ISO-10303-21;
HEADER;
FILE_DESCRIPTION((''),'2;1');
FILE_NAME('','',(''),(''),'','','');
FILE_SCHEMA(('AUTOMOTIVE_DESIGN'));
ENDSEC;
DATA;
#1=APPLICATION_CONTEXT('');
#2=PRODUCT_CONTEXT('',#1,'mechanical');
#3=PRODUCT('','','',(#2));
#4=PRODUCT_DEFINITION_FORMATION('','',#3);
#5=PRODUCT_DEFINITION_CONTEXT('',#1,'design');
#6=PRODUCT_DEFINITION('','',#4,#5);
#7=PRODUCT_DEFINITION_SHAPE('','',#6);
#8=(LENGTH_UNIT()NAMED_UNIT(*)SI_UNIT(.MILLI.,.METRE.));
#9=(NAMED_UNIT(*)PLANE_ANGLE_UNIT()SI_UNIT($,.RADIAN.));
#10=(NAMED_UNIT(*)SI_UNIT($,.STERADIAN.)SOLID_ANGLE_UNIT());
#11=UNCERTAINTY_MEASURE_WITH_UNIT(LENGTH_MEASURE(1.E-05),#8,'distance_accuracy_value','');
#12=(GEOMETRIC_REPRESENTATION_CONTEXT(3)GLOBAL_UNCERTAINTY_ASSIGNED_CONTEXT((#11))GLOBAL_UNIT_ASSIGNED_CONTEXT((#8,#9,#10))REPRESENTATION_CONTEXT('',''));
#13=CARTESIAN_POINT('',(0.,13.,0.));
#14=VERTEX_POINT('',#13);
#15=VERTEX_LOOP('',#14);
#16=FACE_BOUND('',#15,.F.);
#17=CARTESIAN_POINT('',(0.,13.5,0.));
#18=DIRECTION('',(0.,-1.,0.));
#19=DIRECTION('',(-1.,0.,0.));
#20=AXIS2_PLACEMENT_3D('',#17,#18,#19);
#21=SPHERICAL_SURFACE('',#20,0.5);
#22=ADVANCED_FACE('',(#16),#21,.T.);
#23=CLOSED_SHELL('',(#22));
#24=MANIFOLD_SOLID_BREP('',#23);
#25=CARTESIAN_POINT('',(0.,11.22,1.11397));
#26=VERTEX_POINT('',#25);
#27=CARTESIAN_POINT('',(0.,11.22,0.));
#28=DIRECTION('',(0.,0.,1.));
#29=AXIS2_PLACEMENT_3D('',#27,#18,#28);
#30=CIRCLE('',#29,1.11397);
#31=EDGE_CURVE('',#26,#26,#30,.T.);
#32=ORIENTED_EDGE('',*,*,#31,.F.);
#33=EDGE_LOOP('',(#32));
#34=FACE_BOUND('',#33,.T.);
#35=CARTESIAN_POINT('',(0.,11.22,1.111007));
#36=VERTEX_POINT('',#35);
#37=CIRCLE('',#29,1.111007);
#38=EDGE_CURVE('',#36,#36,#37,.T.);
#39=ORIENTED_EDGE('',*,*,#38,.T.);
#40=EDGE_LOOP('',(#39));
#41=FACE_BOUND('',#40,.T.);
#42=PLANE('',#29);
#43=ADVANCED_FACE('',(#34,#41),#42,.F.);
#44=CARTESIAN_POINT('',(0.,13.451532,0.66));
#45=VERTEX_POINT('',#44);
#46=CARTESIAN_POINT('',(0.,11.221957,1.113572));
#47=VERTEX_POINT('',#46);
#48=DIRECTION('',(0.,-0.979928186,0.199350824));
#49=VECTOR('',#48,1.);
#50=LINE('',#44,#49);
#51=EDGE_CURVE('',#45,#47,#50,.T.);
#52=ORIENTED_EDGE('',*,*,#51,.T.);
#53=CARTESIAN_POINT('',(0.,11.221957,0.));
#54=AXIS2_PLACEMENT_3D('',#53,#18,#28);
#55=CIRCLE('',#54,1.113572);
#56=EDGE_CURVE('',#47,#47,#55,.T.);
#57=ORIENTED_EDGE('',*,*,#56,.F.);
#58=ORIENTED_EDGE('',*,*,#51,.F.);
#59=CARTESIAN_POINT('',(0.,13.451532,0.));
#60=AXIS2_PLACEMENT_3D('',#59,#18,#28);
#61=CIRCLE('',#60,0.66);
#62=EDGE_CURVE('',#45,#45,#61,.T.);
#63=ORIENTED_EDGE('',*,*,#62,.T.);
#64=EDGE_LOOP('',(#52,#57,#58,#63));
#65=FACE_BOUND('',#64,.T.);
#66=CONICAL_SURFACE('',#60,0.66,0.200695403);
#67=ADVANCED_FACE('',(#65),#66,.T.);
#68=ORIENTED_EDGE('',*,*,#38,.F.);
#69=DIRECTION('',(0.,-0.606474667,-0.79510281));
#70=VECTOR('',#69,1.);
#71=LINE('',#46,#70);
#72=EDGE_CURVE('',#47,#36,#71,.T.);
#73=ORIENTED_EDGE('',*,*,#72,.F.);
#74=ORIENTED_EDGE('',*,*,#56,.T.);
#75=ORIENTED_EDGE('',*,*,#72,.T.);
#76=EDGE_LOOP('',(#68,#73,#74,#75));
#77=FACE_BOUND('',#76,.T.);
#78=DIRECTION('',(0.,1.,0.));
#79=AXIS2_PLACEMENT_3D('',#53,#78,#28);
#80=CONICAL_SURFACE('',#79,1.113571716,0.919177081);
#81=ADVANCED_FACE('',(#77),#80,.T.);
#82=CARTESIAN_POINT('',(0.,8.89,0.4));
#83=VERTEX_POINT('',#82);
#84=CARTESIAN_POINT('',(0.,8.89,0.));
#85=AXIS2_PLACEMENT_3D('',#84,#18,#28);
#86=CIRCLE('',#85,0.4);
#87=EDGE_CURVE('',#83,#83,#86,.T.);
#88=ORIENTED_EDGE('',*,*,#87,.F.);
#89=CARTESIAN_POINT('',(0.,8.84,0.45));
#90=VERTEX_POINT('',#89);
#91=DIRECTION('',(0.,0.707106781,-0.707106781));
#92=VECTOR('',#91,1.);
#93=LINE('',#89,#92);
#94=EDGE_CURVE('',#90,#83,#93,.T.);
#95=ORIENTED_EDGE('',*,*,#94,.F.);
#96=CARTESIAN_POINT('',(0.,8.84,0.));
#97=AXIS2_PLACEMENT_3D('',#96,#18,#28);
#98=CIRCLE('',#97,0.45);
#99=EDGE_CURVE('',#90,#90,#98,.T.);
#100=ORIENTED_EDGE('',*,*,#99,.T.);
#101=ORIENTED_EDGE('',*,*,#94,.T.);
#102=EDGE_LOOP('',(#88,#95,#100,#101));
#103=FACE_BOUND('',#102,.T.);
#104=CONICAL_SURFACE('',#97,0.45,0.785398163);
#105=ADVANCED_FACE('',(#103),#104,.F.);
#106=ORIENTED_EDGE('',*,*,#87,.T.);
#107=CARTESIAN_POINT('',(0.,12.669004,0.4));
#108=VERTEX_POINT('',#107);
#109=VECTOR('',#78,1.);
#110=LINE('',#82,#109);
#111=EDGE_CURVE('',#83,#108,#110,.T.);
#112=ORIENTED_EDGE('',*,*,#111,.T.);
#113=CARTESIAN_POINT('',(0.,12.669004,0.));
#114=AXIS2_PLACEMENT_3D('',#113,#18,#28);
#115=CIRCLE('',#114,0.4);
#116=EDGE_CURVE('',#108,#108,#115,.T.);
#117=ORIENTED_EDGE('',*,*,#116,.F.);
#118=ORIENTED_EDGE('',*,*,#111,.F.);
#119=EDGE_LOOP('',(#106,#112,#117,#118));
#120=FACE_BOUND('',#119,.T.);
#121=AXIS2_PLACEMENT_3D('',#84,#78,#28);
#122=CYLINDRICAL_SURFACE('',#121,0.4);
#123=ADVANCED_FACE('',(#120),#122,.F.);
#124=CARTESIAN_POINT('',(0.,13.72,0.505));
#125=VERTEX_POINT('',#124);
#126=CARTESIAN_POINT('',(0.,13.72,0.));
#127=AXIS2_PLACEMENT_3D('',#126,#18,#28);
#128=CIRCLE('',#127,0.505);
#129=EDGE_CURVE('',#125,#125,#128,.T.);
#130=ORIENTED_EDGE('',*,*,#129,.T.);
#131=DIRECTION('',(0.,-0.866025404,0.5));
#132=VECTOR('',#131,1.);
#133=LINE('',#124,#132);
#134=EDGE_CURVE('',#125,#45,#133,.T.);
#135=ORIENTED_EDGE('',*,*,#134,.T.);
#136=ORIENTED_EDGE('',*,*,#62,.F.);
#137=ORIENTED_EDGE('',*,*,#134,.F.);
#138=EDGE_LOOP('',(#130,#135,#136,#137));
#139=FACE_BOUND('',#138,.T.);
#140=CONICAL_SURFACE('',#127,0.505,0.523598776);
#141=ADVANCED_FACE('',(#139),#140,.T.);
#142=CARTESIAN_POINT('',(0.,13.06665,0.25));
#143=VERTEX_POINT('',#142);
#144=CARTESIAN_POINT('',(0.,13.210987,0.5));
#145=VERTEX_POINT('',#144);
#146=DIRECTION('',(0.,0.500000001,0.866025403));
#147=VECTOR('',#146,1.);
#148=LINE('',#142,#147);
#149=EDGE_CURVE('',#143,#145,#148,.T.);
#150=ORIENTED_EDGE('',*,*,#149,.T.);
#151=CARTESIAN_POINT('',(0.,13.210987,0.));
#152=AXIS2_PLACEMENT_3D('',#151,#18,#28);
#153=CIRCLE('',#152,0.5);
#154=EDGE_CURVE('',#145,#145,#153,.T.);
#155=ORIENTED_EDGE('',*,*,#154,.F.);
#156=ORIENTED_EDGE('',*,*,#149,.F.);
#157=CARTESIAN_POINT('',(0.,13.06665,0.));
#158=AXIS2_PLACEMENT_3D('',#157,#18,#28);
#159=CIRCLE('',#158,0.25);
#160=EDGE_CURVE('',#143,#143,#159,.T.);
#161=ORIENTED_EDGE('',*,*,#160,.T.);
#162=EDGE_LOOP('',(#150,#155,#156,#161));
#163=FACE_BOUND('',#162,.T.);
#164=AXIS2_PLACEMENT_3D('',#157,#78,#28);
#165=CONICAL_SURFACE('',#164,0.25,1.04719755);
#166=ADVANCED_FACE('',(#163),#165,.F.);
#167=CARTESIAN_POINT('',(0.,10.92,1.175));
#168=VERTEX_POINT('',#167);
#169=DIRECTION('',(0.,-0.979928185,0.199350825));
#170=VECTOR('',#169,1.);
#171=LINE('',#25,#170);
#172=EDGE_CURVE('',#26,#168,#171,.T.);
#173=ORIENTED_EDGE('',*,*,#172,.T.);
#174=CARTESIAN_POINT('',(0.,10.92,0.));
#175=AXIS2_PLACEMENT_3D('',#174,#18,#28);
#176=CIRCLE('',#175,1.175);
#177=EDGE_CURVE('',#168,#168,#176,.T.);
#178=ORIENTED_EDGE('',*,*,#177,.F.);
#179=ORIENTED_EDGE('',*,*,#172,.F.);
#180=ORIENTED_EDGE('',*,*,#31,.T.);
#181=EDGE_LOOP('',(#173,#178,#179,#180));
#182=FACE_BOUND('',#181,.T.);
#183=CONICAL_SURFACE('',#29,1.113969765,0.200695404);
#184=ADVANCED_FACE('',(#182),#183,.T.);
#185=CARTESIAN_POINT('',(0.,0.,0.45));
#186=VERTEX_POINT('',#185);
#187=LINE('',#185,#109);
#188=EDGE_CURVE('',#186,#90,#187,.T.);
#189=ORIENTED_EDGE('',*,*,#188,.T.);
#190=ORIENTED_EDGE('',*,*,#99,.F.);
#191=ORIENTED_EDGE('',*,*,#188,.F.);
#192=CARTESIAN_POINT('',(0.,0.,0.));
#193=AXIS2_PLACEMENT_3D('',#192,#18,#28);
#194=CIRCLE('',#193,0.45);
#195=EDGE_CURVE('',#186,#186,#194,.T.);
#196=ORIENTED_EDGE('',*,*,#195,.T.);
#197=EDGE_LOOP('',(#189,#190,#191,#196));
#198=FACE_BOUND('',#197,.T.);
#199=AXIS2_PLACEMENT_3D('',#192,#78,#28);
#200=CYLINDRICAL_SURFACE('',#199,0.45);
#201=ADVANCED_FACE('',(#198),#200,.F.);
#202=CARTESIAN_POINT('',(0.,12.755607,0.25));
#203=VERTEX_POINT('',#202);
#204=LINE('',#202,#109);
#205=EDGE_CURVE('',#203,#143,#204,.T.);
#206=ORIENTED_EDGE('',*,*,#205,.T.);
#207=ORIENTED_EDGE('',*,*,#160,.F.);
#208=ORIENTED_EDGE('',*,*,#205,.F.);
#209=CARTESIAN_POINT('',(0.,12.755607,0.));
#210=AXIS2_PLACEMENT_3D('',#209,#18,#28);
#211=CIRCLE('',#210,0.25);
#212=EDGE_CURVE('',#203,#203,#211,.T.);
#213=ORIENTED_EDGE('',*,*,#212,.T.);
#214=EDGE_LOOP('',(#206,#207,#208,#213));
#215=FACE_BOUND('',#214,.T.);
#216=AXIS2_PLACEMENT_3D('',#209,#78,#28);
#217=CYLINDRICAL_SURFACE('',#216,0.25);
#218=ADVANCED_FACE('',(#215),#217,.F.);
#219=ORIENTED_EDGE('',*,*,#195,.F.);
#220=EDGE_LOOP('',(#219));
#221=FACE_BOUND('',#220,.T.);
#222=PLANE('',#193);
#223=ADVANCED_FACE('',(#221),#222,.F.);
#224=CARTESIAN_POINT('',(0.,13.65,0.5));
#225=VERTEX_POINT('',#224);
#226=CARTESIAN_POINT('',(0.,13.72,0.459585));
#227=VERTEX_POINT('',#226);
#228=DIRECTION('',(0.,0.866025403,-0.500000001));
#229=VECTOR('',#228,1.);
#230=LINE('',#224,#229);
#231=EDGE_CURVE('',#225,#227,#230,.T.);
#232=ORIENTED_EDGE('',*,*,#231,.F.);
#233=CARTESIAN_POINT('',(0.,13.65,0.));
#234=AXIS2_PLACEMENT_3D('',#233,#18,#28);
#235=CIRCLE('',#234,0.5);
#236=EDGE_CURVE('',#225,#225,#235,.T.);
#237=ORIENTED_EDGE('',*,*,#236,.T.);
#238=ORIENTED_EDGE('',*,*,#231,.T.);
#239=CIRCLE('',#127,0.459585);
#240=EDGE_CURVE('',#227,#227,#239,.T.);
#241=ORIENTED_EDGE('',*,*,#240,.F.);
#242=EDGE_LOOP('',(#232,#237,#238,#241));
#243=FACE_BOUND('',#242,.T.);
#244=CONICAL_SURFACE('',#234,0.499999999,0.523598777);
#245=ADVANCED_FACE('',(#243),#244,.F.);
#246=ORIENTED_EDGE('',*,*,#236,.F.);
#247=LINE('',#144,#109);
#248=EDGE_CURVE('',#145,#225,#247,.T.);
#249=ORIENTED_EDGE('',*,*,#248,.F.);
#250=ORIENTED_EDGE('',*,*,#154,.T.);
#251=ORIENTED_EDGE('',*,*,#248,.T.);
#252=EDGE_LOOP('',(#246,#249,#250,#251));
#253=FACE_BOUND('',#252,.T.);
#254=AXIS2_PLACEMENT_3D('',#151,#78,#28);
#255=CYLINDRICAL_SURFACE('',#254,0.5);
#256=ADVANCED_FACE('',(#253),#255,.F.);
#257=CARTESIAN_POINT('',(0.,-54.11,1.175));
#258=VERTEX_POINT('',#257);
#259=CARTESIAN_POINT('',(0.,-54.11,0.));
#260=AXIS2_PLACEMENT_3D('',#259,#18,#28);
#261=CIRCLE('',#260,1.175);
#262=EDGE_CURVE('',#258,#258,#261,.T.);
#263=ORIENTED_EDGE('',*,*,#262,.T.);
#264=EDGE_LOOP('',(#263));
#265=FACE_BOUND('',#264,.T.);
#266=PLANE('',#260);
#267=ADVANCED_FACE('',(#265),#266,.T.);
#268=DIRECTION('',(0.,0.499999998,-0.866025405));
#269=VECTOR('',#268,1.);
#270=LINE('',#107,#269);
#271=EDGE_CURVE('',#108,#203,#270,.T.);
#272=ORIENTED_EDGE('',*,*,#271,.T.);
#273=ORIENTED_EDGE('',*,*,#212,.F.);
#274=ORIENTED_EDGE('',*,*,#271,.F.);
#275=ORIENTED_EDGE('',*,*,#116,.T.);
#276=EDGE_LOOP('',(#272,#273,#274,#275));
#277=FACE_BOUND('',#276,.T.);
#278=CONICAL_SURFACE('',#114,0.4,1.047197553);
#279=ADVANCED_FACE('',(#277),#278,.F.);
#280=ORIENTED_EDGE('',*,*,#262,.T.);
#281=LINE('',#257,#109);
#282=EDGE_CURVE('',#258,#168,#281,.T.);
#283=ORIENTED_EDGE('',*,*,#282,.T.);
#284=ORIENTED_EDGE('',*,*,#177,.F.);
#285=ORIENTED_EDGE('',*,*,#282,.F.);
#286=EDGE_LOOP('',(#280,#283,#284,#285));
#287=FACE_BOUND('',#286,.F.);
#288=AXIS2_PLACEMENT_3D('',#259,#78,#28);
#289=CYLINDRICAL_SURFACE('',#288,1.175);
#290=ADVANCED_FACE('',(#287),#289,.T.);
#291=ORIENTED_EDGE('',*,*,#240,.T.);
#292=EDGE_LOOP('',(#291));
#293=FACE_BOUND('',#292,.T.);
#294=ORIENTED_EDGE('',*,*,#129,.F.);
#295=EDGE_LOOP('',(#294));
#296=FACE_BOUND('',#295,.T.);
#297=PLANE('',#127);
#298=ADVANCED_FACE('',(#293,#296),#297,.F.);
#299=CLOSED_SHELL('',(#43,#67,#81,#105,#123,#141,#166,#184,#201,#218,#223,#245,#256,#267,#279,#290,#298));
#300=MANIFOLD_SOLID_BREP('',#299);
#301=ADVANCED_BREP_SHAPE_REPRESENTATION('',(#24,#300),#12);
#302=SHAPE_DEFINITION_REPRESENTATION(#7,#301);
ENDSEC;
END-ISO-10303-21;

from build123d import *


with BuildPart() as part:
    # Sketch1 → Revolve2 (revolve)
    with BuildSketch(Plane(origin=(0, 0, 0), x_dir=(0, 0, -1), z_dir=(1, 0, 0)), mode=Mode.PRIVATE) as revolve2_sk:
        Polygon((0.4, 12.66900418), (0.25, 12.75560672), (0.25, 13.06664991), (0.499999999, 13.210987477), (0.499999999, 13.65), (0.45958548, 13.72), (0.505, 13.72), (0.66, 13.451532125), (1.113571716, 11.22195665), (1.111006501, 11.22), (1.113969765, 11.22), (1.175, 10.92), (1.175, -2.03), (1.175, -54.11), (0, -54.11), (0, 0), (0.45, 0), (0.45, 8.84), (0.4, 8.89), align=None)
    revolve(revolve2_sk.sketch.rotate(Axis((0, 13.79485497, 0), (0, -1, 0)), 180), axis=Axis((0, 13.79485497, 0), (0, -1, 0)))


with BuildPart() as body_2:
    # Esboço1 → Revolução1 (revolve)
    with BuildSketch(Plane.XY):
        with BuildLine():
            Line((0, 13), (0, 14))
            ThreePointArc((0, 14), (-0.5, 13.5), (0, 13))
        make_face()
    revolve(axis=Axis((0, 13, 0), (0, 1, 0)))


solid = Compound([part.part, body_2.part])
